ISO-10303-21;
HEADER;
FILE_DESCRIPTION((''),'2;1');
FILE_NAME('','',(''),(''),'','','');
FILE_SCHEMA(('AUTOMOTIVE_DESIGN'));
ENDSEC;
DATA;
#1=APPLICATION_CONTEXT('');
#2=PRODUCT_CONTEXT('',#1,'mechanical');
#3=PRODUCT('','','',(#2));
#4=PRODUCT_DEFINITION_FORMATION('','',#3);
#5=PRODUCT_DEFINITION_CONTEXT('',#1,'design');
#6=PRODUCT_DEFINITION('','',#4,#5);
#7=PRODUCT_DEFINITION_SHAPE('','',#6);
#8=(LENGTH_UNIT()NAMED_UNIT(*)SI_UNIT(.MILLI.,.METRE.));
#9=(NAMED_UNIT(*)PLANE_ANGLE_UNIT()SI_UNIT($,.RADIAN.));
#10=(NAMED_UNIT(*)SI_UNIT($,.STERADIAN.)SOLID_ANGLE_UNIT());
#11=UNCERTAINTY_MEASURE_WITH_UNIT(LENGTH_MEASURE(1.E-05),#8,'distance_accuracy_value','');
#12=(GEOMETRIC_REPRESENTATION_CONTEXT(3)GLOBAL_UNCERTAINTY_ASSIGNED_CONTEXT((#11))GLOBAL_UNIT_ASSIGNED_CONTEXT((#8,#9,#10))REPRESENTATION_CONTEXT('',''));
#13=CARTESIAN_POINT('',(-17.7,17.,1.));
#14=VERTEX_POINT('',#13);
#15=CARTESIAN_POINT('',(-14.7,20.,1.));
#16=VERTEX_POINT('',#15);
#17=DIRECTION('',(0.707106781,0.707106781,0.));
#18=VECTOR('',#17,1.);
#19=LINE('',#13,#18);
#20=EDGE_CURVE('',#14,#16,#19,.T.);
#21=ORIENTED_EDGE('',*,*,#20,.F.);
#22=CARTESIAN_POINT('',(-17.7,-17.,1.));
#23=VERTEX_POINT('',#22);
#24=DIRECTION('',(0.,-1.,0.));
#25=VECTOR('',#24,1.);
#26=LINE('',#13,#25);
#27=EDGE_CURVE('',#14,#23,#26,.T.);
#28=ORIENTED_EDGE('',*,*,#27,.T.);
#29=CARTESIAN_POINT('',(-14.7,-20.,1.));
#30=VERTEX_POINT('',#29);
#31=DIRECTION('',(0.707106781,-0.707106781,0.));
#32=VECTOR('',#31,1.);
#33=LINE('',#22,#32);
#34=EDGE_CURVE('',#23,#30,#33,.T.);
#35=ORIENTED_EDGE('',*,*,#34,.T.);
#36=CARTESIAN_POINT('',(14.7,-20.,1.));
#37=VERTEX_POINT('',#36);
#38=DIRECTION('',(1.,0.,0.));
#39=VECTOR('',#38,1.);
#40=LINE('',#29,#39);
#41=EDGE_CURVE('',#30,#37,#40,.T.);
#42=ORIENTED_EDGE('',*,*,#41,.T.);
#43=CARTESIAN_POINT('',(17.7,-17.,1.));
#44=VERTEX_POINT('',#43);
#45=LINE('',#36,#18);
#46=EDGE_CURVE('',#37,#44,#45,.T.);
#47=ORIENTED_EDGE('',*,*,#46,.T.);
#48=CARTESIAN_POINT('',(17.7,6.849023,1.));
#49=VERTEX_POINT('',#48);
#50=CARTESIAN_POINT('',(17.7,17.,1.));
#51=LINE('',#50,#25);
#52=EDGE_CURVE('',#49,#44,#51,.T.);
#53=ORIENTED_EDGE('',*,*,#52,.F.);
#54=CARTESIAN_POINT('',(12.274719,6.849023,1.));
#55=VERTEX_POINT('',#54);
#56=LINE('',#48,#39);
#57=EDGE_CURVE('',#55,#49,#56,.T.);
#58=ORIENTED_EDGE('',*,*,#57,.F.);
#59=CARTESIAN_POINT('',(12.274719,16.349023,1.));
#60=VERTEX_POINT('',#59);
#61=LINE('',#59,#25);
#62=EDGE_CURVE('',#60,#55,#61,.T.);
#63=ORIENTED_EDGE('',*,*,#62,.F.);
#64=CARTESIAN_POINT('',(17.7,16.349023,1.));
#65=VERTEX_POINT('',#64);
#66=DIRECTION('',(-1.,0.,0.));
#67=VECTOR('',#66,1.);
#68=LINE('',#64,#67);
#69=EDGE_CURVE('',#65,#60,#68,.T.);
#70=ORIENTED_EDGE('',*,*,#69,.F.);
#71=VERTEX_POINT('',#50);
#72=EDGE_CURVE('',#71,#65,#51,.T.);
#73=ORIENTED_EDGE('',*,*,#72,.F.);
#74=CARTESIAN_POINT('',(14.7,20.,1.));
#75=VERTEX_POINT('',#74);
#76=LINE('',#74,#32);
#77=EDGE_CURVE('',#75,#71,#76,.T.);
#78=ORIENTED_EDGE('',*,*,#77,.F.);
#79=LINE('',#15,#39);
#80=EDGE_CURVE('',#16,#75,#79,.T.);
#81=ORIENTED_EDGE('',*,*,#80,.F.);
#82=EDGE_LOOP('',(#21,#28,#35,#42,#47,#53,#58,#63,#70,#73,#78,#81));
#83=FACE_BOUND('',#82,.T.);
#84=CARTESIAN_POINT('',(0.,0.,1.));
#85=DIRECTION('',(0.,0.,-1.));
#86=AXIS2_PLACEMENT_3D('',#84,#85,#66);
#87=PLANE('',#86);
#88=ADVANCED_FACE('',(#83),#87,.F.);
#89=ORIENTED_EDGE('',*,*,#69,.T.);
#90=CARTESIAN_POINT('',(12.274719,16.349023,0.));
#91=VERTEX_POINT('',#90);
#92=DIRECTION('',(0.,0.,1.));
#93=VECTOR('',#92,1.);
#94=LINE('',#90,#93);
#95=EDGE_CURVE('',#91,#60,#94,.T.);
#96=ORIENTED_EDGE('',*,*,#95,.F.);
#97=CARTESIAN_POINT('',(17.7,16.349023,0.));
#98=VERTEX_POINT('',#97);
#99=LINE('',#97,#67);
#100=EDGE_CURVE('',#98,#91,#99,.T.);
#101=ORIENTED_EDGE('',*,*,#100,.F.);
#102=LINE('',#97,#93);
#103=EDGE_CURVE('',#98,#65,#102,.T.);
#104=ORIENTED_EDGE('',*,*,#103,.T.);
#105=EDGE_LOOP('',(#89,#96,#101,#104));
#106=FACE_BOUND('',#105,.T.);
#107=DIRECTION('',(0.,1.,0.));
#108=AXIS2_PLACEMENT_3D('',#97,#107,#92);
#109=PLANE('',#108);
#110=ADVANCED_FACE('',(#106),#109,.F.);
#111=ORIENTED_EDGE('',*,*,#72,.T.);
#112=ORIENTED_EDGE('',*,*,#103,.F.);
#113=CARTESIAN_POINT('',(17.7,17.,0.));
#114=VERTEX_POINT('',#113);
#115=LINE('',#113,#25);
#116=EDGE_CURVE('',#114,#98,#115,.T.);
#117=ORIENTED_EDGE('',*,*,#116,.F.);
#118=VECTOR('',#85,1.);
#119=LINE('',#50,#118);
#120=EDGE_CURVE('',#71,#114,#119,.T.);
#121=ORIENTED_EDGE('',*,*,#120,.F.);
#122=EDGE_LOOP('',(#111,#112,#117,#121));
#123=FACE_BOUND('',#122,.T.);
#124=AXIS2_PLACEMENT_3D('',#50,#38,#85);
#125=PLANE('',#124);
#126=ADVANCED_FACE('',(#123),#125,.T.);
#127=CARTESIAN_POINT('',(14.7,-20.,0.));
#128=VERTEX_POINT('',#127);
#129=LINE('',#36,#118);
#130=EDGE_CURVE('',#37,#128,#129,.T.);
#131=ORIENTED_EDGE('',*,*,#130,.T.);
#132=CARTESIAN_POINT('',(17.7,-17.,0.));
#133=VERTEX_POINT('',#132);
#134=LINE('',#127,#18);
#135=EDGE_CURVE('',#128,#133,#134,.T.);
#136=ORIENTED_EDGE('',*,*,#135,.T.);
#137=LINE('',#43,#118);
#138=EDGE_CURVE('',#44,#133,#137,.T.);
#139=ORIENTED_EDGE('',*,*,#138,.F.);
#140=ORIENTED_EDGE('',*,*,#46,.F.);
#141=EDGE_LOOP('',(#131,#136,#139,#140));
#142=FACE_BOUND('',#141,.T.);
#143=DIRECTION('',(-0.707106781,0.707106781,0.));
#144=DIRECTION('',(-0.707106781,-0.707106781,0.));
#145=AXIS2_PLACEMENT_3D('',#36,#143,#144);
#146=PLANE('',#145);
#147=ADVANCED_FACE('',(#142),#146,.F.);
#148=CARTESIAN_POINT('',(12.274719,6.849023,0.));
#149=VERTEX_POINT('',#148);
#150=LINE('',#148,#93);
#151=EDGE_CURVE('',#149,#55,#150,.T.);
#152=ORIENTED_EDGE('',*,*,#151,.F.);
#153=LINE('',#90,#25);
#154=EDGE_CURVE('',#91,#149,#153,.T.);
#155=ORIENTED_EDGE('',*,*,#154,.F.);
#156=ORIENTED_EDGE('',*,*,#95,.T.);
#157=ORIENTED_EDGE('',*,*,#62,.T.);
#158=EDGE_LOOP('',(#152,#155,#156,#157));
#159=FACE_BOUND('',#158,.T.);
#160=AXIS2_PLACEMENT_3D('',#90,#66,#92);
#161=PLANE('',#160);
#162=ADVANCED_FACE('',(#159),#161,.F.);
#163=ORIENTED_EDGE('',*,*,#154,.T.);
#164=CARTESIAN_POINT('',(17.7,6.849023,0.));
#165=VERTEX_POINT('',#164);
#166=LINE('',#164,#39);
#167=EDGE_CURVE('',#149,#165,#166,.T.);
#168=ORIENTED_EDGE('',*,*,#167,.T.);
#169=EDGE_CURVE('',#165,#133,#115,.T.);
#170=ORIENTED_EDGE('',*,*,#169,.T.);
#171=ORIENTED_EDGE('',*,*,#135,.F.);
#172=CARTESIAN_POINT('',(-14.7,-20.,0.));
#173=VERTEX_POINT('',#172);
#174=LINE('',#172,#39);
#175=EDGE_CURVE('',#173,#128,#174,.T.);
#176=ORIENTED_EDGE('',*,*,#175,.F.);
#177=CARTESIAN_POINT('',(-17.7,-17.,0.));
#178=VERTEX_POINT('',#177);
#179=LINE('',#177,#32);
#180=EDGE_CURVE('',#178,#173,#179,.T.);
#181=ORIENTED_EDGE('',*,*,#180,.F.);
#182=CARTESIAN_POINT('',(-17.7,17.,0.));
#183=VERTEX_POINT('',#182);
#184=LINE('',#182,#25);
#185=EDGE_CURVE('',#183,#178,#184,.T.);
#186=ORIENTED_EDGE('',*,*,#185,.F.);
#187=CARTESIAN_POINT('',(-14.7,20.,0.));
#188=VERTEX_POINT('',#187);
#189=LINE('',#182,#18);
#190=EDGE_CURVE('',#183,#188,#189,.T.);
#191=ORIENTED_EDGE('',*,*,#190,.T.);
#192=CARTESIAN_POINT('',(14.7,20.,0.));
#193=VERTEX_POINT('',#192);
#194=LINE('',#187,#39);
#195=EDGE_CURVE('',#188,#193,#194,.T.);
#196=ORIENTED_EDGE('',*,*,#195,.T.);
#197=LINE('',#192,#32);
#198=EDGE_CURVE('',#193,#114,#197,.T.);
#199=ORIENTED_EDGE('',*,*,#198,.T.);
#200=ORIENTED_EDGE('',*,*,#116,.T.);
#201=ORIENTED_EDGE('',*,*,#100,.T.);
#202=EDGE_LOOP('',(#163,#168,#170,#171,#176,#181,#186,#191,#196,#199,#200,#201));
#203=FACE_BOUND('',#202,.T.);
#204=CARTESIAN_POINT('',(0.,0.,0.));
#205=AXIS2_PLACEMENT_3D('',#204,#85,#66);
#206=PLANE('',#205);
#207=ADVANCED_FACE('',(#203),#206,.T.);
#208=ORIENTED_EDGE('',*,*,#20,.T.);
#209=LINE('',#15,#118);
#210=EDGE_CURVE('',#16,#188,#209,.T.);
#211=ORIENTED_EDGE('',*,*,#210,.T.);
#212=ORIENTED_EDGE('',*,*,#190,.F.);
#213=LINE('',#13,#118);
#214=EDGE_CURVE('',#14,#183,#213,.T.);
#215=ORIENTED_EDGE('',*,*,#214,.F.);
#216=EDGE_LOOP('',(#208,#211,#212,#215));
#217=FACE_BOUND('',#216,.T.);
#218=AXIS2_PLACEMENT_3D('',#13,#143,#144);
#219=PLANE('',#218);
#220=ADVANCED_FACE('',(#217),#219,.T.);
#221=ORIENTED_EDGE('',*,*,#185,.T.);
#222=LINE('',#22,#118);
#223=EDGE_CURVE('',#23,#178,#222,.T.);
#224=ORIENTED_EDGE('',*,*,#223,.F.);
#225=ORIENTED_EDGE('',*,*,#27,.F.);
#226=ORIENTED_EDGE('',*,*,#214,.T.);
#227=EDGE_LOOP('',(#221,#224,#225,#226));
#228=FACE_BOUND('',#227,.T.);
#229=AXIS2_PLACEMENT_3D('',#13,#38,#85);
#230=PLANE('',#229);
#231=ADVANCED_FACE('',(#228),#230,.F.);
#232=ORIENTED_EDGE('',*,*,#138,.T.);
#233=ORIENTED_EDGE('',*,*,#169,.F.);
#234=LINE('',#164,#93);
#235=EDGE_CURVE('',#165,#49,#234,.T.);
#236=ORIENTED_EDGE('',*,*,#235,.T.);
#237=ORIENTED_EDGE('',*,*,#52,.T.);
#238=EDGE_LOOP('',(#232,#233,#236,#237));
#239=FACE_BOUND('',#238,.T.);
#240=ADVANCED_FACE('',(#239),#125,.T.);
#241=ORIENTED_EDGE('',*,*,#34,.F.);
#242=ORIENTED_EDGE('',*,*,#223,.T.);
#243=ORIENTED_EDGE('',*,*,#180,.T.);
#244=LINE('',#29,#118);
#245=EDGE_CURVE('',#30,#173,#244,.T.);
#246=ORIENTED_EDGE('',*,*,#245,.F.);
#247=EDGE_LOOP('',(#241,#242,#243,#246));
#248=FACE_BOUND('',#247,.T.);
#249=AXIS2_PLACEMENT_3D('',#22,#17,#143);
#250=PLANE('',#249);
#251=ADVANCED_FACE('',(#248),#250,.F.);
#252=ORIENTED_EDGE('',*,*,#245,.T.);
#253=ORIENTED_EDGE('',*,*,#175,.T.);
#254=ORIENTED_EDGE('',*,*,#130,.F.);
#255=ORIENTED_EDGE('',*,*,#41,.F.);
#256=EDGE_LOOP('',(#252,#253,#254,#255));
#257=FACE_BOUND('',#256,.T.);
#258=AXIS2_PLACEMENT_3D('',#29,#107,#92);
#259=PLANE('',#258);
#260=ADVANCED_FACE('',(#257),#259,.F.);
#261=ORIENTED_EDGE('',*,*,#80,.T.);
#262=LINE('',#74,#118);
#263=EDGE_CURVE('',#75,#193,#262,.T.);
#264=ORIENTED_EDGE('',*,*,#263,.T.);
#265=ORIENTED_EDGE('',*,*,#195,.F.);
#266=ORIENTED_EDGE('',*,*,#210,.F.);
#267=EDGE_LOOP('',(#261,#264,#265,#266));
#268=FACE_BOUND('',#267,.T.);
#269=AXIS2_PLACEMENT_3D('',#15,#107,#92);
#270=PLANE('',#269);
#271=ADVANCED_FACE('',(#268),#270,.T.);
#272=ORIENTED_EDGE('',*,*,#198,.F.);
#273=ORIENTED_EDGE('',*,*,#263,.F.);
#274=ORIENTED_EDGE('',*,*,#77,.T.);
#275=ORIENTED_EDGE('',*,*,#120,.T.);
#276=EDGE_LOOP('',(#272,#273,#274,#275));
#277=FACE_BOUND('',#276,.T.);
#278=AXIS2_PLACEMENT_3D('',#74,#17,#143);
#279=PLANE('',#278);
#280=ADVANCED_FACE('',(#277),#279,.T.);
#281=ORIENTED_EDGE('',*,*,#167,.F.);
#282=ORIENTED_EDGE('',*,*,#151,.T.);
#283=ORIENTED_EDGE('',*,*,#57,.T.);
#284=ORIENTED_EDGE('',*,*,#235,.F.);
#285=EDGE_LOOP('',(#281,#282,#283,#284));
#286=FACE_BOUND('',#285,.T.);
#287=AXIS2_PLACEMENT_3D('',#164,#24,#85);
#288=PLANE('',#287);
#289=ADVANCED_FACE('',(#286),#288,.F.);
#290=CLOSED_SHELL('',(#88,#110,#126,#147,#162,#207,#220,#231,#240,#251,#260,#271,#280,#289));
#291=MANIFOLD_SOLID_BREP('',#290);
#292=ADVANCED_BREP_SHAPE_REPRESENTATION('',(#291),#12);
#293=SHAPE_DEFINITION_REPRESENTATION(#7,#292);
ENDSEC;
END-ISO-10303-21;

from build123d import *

# Parameters (mm, degrees)
BOSS_EXTRUDE1_DEPTH = 1
SKETCH4_W           = 5.425280566
SKETCH4_H           = 9.499999808
CUT_EXTRUDE1_DEPTH  = 27.726204369


with BuildPart() as part:
    # Sketch3 → Boss-Extrude1 (new body)
    with BuildSketch(Plane.XY):
        Polygon((-14.7, 20), (14.7, 20), (17.7, 17), (17.7, -17), (14.7, -20), (-14.7, -20), (-17.7, -17), (-17.7, 17), align=None)
    extrude(amount=BOSS_EXTRUDE1_DEPTH)

    # Sketch4 → Cut-Extrude1 (cut, through all)
    with BuildSketch(Plane.XY.offset(1)):
        with Locations((14.987359717, 11.599023368)):
            Rectangle(SKETCH4_W, SKETCH4_H)
    extrude(amount=-CUT_EXTRUDE1_DEPTH, mode=Mode.SUBTRACT)


solid = part.part
